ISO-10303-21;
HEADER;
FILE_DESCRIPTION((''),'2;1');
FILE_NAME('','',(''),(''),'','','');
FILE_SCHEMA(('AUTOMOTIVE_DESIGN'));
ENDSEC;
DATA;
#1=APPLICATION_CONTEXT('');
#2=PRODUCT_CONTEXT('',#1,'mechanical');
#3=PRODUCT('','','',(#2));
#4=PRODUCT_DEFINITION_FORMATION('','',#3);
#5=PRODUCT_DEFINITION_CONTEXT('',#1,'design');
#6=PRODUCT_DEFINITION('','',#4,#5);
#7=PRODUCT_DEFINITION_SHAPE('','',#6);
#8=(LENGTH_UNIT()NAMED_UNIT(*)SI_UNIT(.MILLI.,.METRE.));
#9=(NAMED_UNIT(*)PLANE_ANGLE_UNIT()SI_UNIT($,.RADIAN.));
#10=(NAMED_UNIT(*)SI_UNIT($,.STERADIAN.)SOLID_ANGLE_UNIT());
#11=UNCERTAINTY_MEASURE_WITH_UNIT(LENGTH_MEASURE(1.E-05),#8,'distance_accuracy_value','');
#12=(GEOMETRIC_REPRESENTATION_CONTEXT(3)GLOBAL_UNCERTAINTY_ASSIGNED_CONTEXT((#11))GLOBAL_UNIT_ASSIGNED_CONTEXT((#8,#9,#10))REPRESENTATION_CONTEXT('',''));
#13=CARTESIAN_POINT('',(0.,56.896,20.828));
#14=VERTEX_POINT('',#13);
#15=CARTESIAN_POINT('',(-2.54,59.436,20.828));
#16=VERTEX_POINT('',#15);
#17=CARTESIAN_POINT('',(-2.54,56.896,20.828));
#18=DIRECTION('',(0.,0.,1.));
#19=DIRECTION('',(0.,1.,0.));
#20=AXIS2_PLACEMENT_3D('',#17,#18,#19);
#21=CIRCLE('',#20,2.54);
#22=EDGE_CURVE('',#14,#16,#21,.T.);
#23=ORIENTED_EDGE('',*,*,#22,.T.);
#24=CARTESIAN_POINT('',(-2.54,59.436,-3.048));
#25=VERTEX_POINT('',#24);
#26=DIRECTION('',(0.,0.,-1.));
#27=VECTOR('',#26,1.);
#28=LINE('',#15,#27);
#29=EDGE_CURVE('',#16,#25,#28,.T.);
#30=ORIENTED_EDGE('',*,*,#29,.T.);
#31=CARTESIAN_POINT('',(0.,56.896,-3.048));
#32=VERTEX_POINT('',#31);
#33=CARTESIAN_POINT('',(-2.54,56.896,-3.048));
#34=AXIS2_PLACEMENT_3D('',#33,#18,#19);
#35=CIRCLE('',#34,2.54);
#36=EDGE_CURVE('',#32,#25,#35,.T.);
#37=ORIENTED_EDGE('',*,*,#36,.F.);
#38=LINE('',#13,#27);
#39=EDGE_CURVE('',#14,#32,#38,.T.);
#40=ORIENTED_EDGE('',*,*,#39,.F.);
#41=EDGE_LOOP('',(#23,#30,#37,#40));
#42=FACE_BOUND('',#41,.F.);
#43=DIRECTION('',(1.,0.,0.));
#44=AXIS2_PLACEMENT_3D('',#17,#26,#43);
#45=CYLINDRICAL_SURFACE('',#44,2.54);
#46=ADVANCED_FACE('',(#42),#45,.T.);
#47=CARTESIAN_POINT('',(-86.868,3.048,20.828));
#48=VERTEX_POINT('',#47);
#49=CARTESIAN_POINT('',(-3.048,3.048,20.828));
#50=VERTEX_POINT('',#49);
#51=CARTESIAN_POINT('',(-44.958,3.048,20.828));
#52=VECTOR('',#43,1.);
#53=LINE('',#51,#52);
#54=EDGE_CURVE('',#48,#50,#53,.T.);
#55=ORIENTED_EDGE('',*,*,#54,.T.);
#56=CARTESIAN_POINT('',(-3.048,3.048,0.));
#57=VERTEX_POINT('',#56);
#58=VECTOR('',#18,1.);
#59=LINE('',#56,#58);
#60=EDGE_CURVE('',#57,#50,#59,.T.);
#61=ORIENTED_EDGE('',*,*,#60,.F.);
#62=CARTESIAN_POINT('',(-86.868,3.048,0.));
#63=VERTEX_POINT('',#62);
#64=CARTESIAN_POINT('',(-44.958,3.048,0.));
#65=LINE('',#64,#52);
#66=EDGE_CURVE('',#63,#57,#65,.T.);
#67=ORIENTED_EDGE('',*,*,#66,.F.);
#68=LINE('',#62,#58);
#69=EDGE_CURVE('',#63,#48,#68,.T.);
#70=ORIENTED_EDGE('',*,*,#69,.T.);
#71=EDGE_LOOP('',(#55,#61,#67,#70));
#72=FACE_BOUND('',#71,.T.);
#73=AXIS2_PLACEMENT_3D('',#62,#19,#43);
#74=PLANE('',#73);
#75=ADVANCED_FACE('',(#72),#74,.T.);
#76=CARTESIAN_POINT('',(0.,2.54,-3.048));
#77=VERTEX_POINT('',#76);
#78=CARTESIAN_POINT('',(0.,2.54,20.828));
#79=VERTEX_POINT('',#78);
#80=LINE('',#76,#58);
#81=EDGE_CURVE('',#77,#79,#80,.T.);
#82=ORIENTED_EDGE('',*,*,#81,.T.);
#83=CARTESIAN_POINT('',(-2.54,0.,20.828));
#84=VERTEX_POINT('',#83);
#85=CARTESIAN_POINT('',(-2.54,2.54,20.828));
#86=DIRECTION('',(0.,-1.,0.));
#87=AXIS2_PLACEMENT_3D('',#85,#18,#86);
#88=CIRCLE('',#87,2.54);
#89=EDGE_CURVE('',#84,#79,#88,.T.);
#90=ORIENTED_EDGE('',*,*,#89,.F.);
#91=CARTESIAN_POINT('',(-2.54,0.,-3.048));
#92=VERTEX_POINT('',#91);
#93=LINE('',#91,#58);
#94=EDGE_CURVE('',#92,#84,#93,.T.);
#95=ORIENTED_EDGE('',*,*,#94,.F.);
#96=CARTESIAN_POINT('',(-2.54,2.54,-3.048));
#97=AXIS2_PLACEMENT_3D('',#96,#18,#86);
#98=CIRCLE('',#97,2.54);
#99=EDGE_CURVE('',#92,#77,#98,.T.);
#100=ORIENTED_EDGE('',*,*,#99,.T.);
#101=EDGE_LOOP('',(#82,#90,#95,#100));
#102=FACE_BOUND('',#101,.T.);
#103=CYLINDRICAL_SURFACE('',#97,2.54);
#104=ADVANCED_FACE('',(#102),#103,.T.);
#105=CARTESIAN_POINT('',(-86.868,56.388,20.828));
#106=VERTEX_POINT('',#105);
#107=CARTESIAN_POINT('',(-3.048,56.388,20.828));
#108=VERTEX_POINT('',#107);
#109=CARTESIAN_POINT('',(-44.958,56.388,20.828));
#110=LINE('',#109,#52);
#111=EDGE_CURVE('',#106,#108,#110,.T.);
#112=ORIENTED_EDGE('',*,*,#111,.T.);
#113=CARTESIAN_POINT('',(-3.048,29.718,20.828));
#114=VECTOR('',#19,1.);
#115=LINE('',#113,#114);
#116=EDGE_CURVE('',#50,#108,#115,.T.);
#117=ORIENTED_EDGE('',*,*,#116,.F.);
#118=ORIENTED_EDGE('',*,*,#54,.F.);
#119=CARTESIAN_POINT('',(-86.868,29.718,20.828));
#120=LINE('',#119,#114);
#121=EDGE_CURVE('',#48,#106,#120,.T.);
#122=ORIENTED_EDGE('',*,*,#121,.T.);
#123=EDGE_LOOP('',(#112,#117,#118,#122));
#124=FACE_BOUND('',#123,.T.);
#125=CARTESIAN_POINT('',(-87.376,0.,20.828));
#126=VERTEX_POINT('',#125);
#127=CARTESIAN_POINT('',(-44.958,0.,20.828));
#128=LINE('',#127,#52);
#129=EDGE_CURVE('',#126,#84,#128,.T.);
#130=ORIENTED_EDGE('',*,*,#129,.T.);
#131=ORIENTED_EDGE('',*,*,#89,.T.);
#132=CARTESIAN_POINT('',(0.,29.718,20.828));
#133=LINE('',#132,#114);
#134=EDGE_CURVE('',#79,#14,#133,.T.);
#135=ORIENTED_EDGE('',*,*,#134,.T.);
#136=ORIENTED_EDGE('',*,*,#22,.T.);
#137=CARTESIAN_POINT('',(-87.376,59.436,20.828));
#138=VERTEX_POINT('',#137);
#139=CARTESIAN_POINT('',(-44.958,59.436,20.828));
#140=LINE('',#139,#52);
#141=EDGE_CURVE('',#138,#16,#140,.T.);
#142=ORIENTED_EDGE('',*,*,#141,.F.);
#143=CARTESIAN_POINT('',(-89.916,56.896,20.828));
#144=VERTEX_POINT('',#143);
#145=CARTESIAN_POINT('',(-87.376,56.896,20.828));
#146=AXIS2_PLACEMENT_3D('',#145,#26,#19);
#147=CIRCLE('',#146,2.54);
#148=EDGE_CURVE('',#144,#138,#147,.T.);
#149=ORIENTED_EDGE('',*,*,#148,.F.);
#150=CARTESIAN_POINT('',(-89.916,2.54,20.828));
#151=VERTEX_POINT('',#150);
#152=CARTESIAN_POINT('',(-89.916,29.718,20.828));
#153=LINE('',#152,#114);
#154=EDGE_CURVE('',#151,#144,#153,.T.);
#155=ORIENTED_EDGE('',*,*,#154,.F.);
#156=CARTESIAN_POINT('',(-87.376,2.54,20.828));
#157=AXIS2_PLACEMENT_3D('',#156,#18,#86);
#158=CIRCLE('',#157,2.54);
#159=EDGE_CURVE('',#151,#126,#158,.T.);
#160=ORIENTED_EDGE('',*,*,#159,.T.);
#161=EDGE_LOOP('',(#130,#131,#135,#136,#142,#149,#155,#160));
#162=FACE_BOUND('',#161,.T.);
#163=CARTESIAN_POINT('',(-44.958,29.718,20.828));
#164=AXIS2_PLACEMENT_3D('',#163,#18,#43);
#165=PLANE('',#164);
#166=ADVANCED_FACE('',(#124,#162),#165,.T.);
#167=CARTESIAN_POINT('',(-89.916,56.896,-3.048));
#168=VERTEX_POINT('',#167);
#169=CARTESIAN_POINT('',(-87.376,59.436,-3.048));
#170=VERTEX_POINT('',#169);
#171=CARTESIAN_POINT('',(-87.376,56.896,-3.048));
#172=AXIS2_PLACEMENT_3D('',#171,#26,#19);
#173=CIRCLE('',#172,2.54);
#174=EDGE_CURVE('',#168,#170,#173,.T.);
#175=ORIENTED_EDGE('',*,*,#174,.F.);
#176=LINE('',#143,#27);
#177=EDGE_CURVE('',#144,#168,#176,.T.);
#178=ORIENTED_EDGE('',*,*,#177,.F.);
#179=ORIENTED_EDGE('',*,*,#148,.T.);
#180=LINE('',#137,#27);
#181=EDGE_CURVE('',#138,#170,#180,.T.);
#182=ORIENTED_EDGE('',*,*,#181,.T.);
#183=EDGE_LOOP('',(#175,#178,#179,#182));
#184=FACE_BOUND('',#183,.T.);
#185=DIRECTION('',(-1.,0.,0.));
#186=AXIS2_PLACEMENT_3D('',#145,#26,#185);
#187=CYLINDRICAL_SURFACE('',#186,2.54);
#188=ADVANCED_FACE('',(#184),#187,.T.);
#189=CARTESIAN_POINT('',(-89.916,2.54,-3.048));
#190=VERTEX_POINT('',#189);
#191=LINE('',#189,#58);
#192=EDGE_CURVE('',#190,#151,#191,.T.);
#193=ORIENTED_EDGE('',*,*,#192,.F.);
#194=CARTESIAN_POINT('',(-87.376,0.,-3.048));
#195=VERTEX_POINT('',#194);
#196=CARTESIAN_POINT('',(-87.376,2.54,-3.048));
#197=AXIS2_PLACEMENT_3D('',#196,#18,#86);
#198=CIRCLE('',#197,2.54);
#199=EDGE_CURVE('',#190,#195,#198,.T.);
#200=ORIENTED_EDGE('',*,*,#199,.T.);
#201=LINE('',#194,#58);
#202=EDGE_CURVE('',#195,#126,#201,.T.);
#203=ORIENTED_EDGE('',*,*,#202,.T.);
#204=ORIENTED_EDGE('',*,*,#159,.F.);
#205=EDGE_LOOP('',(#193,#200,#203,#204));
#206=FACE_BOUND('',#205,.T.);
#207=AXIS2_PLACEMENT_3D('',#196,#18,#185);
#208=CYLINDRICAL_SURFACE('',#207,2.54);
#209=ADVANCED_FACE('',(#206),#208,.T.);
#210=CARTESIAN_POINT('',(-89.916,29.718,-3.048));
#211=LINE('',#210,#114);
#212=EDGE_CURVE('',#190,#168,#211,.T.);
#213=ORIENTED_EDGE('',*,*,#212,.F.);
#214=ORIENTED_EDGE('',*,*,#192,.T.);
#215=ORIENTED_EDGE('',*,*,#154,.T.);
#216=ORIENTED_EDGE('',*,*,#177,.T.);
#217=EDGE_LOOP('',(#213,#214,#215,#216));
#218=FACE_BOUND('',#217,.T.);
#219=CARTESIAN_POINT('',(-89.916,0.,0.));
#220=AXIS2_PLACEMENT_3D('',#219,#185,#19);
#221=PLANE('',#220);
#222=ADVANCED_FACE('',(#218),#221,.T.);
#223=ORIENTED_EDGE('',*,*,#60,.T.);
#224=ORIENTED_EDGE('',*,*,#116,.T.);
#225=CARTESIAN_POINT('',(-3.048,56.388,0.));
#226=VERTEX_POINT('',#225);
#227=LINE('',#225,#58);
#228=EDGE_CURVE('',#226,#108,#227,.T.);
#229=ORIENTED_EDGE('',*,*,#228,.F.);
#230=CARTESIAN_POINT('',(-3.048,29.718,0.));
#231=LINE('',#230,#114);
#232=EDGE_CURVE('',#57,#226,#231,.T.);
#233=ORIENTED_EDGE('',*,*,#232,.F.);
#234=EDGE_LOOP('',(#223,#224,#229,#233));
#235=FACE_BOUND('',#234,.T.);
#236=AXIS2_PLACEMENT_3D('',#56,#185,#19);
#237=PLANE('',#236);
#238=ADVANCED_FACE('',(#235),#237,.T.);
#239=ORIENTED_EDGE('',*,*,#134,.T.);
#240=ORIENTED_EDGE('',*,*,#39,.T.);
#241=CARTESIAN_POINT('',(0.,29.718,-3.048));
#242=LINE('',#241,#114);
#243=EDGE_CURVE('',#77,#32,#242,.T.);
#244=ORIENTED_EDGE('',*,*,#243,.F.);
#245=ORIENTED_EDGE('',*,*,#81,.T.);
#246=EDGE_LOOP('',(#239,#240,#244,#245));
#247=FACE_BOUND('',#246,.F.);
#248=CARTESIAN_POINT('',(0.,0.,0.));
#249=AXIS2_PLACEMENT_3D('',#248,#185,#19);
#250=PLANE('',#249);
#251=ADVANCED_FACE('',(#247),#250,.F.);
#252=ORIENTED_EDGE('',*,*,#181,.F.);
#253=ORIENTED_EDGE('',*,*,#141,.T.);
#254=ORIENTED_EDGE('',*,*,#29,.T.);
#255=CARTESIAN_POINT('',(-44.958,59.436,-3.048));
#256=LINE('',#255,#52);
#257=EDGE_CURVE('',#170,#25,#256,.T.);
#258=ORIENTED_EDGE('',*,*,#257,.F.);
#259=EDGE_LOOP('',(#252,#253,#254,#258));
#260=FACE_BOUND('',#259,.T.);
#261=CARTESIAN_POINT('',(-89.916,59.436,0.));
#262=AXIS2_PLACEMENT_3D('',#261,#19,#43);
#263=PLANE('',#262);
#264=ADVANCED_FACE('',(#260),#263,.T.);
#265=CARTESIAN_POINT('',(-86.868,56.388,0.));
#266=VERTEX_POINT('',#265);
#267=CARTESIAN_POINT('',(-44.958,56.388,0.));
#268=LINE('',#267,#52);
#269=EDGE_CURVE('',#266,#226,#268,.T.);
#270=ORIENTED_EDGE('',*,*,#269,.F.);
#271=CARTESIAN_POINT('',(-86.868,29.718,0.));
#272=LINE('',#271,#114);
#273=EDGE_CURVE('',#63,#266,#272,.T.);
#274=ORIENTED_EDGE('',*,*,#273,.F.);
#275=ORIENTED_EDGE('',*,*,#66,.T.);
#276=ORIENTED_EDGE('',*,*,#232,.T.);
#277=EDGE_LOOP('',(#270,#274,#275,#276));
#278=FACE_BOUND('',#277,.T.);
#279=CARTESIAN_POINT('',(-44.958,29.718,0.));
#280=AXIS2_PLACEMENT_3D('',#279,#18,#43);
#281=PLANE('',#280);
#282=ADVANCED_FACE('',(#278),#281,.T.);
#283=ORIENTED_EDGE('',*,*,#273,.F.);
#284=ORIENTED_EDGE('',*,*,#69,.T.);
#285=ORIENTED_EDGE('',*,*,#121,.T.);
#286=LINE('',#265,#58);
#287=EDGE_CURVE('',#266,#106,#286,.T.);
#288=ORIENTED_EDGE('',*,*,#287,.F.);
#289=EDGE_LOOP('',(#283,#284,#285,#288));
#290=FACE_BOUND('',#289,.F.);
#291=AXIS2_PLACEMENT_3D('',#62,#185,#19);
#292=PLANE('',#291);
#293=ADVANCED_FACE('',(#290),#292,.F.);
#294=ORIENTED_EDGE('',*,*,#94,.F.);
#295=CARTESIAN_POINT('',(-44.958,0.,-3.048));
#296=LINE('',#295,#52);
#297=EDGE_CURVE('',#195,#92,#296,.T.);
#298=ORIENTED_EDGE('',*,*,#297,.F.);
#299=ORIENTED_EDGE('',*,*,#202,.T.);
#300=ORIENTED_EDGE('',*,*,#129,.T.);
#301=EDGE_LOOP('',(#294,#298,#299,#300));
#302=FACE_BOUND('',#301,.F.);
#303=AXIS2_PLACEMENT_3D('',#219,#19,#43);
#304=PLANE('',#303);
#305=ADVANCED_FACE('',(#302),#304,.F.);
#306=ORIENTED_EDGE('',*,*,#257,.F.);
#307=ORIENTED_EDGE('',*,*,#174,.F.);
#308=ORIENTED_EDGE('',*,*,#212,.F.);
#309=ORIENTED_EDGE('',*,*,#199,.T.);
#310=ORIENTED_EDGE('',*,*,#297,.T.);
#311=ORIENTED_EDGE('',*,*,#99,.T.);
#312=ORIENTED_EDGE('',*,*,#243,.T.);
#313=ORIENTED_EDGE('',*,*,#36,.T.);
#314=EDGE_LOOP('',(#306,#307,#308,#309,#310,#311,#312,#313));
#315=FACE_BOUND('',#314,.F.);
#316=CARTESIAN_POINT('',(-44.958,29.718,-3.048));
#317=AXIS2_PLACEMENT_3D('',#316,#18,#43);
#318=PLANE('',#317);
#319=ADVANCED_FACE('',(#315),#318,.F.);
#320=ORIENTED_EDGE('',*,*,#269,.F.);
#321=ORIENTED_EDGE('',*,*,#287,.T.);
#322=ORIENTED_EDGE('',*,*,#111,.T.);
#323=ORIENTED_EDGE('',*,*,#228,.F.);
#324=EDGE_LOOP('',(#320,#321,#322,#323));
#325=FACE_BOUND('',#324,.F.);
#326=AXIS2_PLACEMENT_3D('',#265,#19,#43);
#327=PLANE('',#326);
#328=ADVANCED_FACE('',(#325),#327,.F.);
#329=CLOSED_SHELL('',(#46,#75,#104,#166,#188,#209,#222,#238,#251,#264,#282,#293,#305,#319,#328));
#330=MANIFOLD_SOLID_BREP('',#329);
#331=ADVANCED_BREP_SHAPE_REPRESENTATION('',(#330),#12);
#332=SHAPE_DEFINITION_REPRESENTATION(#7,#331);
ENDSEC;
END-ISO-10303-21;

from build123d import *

# Parameters (mm, degrees)
F0_W     = 89.916
F0_H     = 59.436
F0_W_2   = 83.82
F0_H_2   = 53.34
F1_DEPTH = 3.048
F2_DEPTH = 20.828
F3_R     = 2.54


with BuildPart() as f1:
    # F0 (on Top) → F1 (new body)
    with BuildSketch(Plane.XY):
        with Locations((-44.958, 29.718)):
            Rectangle(F0_W, F0_H)
        with Locations((-44.958, 29.718)):
            Rectangle(F0_W_2, F0_H_2, mode=Mode.SUBTRACT)
        with Locations((-44.958, 29.718)):
            Rectangle(F0_W_2, F0_H_2)
    extrude(amount=-F1_DEPTH)

    # F0 (on Top) → F2 (join)
    with BuildSketch(Plane.XY):
        with Locations((-44.958, 29.718)):
            Rectangle(F0_W, F0_H)
        with Locations((-44.958, 29.718)):
            Rectangle(F0_W_2, F0_H_2, mode=Mode.SUBTRACT)
    extrude(amount=F2_DEPTH)

    # F3
    f3_edges = [f1.edges().sort_by_distance(p)[0] for p in [
        (0, 0, 8.89),
        (0, 59.436, 8.89),
        (-89.916, 59.436, 8.89),
        (-89.916, 0, 8.89),
    ]]
    fillet(f3_edges, radius=F3_R)


solid = f1.part
